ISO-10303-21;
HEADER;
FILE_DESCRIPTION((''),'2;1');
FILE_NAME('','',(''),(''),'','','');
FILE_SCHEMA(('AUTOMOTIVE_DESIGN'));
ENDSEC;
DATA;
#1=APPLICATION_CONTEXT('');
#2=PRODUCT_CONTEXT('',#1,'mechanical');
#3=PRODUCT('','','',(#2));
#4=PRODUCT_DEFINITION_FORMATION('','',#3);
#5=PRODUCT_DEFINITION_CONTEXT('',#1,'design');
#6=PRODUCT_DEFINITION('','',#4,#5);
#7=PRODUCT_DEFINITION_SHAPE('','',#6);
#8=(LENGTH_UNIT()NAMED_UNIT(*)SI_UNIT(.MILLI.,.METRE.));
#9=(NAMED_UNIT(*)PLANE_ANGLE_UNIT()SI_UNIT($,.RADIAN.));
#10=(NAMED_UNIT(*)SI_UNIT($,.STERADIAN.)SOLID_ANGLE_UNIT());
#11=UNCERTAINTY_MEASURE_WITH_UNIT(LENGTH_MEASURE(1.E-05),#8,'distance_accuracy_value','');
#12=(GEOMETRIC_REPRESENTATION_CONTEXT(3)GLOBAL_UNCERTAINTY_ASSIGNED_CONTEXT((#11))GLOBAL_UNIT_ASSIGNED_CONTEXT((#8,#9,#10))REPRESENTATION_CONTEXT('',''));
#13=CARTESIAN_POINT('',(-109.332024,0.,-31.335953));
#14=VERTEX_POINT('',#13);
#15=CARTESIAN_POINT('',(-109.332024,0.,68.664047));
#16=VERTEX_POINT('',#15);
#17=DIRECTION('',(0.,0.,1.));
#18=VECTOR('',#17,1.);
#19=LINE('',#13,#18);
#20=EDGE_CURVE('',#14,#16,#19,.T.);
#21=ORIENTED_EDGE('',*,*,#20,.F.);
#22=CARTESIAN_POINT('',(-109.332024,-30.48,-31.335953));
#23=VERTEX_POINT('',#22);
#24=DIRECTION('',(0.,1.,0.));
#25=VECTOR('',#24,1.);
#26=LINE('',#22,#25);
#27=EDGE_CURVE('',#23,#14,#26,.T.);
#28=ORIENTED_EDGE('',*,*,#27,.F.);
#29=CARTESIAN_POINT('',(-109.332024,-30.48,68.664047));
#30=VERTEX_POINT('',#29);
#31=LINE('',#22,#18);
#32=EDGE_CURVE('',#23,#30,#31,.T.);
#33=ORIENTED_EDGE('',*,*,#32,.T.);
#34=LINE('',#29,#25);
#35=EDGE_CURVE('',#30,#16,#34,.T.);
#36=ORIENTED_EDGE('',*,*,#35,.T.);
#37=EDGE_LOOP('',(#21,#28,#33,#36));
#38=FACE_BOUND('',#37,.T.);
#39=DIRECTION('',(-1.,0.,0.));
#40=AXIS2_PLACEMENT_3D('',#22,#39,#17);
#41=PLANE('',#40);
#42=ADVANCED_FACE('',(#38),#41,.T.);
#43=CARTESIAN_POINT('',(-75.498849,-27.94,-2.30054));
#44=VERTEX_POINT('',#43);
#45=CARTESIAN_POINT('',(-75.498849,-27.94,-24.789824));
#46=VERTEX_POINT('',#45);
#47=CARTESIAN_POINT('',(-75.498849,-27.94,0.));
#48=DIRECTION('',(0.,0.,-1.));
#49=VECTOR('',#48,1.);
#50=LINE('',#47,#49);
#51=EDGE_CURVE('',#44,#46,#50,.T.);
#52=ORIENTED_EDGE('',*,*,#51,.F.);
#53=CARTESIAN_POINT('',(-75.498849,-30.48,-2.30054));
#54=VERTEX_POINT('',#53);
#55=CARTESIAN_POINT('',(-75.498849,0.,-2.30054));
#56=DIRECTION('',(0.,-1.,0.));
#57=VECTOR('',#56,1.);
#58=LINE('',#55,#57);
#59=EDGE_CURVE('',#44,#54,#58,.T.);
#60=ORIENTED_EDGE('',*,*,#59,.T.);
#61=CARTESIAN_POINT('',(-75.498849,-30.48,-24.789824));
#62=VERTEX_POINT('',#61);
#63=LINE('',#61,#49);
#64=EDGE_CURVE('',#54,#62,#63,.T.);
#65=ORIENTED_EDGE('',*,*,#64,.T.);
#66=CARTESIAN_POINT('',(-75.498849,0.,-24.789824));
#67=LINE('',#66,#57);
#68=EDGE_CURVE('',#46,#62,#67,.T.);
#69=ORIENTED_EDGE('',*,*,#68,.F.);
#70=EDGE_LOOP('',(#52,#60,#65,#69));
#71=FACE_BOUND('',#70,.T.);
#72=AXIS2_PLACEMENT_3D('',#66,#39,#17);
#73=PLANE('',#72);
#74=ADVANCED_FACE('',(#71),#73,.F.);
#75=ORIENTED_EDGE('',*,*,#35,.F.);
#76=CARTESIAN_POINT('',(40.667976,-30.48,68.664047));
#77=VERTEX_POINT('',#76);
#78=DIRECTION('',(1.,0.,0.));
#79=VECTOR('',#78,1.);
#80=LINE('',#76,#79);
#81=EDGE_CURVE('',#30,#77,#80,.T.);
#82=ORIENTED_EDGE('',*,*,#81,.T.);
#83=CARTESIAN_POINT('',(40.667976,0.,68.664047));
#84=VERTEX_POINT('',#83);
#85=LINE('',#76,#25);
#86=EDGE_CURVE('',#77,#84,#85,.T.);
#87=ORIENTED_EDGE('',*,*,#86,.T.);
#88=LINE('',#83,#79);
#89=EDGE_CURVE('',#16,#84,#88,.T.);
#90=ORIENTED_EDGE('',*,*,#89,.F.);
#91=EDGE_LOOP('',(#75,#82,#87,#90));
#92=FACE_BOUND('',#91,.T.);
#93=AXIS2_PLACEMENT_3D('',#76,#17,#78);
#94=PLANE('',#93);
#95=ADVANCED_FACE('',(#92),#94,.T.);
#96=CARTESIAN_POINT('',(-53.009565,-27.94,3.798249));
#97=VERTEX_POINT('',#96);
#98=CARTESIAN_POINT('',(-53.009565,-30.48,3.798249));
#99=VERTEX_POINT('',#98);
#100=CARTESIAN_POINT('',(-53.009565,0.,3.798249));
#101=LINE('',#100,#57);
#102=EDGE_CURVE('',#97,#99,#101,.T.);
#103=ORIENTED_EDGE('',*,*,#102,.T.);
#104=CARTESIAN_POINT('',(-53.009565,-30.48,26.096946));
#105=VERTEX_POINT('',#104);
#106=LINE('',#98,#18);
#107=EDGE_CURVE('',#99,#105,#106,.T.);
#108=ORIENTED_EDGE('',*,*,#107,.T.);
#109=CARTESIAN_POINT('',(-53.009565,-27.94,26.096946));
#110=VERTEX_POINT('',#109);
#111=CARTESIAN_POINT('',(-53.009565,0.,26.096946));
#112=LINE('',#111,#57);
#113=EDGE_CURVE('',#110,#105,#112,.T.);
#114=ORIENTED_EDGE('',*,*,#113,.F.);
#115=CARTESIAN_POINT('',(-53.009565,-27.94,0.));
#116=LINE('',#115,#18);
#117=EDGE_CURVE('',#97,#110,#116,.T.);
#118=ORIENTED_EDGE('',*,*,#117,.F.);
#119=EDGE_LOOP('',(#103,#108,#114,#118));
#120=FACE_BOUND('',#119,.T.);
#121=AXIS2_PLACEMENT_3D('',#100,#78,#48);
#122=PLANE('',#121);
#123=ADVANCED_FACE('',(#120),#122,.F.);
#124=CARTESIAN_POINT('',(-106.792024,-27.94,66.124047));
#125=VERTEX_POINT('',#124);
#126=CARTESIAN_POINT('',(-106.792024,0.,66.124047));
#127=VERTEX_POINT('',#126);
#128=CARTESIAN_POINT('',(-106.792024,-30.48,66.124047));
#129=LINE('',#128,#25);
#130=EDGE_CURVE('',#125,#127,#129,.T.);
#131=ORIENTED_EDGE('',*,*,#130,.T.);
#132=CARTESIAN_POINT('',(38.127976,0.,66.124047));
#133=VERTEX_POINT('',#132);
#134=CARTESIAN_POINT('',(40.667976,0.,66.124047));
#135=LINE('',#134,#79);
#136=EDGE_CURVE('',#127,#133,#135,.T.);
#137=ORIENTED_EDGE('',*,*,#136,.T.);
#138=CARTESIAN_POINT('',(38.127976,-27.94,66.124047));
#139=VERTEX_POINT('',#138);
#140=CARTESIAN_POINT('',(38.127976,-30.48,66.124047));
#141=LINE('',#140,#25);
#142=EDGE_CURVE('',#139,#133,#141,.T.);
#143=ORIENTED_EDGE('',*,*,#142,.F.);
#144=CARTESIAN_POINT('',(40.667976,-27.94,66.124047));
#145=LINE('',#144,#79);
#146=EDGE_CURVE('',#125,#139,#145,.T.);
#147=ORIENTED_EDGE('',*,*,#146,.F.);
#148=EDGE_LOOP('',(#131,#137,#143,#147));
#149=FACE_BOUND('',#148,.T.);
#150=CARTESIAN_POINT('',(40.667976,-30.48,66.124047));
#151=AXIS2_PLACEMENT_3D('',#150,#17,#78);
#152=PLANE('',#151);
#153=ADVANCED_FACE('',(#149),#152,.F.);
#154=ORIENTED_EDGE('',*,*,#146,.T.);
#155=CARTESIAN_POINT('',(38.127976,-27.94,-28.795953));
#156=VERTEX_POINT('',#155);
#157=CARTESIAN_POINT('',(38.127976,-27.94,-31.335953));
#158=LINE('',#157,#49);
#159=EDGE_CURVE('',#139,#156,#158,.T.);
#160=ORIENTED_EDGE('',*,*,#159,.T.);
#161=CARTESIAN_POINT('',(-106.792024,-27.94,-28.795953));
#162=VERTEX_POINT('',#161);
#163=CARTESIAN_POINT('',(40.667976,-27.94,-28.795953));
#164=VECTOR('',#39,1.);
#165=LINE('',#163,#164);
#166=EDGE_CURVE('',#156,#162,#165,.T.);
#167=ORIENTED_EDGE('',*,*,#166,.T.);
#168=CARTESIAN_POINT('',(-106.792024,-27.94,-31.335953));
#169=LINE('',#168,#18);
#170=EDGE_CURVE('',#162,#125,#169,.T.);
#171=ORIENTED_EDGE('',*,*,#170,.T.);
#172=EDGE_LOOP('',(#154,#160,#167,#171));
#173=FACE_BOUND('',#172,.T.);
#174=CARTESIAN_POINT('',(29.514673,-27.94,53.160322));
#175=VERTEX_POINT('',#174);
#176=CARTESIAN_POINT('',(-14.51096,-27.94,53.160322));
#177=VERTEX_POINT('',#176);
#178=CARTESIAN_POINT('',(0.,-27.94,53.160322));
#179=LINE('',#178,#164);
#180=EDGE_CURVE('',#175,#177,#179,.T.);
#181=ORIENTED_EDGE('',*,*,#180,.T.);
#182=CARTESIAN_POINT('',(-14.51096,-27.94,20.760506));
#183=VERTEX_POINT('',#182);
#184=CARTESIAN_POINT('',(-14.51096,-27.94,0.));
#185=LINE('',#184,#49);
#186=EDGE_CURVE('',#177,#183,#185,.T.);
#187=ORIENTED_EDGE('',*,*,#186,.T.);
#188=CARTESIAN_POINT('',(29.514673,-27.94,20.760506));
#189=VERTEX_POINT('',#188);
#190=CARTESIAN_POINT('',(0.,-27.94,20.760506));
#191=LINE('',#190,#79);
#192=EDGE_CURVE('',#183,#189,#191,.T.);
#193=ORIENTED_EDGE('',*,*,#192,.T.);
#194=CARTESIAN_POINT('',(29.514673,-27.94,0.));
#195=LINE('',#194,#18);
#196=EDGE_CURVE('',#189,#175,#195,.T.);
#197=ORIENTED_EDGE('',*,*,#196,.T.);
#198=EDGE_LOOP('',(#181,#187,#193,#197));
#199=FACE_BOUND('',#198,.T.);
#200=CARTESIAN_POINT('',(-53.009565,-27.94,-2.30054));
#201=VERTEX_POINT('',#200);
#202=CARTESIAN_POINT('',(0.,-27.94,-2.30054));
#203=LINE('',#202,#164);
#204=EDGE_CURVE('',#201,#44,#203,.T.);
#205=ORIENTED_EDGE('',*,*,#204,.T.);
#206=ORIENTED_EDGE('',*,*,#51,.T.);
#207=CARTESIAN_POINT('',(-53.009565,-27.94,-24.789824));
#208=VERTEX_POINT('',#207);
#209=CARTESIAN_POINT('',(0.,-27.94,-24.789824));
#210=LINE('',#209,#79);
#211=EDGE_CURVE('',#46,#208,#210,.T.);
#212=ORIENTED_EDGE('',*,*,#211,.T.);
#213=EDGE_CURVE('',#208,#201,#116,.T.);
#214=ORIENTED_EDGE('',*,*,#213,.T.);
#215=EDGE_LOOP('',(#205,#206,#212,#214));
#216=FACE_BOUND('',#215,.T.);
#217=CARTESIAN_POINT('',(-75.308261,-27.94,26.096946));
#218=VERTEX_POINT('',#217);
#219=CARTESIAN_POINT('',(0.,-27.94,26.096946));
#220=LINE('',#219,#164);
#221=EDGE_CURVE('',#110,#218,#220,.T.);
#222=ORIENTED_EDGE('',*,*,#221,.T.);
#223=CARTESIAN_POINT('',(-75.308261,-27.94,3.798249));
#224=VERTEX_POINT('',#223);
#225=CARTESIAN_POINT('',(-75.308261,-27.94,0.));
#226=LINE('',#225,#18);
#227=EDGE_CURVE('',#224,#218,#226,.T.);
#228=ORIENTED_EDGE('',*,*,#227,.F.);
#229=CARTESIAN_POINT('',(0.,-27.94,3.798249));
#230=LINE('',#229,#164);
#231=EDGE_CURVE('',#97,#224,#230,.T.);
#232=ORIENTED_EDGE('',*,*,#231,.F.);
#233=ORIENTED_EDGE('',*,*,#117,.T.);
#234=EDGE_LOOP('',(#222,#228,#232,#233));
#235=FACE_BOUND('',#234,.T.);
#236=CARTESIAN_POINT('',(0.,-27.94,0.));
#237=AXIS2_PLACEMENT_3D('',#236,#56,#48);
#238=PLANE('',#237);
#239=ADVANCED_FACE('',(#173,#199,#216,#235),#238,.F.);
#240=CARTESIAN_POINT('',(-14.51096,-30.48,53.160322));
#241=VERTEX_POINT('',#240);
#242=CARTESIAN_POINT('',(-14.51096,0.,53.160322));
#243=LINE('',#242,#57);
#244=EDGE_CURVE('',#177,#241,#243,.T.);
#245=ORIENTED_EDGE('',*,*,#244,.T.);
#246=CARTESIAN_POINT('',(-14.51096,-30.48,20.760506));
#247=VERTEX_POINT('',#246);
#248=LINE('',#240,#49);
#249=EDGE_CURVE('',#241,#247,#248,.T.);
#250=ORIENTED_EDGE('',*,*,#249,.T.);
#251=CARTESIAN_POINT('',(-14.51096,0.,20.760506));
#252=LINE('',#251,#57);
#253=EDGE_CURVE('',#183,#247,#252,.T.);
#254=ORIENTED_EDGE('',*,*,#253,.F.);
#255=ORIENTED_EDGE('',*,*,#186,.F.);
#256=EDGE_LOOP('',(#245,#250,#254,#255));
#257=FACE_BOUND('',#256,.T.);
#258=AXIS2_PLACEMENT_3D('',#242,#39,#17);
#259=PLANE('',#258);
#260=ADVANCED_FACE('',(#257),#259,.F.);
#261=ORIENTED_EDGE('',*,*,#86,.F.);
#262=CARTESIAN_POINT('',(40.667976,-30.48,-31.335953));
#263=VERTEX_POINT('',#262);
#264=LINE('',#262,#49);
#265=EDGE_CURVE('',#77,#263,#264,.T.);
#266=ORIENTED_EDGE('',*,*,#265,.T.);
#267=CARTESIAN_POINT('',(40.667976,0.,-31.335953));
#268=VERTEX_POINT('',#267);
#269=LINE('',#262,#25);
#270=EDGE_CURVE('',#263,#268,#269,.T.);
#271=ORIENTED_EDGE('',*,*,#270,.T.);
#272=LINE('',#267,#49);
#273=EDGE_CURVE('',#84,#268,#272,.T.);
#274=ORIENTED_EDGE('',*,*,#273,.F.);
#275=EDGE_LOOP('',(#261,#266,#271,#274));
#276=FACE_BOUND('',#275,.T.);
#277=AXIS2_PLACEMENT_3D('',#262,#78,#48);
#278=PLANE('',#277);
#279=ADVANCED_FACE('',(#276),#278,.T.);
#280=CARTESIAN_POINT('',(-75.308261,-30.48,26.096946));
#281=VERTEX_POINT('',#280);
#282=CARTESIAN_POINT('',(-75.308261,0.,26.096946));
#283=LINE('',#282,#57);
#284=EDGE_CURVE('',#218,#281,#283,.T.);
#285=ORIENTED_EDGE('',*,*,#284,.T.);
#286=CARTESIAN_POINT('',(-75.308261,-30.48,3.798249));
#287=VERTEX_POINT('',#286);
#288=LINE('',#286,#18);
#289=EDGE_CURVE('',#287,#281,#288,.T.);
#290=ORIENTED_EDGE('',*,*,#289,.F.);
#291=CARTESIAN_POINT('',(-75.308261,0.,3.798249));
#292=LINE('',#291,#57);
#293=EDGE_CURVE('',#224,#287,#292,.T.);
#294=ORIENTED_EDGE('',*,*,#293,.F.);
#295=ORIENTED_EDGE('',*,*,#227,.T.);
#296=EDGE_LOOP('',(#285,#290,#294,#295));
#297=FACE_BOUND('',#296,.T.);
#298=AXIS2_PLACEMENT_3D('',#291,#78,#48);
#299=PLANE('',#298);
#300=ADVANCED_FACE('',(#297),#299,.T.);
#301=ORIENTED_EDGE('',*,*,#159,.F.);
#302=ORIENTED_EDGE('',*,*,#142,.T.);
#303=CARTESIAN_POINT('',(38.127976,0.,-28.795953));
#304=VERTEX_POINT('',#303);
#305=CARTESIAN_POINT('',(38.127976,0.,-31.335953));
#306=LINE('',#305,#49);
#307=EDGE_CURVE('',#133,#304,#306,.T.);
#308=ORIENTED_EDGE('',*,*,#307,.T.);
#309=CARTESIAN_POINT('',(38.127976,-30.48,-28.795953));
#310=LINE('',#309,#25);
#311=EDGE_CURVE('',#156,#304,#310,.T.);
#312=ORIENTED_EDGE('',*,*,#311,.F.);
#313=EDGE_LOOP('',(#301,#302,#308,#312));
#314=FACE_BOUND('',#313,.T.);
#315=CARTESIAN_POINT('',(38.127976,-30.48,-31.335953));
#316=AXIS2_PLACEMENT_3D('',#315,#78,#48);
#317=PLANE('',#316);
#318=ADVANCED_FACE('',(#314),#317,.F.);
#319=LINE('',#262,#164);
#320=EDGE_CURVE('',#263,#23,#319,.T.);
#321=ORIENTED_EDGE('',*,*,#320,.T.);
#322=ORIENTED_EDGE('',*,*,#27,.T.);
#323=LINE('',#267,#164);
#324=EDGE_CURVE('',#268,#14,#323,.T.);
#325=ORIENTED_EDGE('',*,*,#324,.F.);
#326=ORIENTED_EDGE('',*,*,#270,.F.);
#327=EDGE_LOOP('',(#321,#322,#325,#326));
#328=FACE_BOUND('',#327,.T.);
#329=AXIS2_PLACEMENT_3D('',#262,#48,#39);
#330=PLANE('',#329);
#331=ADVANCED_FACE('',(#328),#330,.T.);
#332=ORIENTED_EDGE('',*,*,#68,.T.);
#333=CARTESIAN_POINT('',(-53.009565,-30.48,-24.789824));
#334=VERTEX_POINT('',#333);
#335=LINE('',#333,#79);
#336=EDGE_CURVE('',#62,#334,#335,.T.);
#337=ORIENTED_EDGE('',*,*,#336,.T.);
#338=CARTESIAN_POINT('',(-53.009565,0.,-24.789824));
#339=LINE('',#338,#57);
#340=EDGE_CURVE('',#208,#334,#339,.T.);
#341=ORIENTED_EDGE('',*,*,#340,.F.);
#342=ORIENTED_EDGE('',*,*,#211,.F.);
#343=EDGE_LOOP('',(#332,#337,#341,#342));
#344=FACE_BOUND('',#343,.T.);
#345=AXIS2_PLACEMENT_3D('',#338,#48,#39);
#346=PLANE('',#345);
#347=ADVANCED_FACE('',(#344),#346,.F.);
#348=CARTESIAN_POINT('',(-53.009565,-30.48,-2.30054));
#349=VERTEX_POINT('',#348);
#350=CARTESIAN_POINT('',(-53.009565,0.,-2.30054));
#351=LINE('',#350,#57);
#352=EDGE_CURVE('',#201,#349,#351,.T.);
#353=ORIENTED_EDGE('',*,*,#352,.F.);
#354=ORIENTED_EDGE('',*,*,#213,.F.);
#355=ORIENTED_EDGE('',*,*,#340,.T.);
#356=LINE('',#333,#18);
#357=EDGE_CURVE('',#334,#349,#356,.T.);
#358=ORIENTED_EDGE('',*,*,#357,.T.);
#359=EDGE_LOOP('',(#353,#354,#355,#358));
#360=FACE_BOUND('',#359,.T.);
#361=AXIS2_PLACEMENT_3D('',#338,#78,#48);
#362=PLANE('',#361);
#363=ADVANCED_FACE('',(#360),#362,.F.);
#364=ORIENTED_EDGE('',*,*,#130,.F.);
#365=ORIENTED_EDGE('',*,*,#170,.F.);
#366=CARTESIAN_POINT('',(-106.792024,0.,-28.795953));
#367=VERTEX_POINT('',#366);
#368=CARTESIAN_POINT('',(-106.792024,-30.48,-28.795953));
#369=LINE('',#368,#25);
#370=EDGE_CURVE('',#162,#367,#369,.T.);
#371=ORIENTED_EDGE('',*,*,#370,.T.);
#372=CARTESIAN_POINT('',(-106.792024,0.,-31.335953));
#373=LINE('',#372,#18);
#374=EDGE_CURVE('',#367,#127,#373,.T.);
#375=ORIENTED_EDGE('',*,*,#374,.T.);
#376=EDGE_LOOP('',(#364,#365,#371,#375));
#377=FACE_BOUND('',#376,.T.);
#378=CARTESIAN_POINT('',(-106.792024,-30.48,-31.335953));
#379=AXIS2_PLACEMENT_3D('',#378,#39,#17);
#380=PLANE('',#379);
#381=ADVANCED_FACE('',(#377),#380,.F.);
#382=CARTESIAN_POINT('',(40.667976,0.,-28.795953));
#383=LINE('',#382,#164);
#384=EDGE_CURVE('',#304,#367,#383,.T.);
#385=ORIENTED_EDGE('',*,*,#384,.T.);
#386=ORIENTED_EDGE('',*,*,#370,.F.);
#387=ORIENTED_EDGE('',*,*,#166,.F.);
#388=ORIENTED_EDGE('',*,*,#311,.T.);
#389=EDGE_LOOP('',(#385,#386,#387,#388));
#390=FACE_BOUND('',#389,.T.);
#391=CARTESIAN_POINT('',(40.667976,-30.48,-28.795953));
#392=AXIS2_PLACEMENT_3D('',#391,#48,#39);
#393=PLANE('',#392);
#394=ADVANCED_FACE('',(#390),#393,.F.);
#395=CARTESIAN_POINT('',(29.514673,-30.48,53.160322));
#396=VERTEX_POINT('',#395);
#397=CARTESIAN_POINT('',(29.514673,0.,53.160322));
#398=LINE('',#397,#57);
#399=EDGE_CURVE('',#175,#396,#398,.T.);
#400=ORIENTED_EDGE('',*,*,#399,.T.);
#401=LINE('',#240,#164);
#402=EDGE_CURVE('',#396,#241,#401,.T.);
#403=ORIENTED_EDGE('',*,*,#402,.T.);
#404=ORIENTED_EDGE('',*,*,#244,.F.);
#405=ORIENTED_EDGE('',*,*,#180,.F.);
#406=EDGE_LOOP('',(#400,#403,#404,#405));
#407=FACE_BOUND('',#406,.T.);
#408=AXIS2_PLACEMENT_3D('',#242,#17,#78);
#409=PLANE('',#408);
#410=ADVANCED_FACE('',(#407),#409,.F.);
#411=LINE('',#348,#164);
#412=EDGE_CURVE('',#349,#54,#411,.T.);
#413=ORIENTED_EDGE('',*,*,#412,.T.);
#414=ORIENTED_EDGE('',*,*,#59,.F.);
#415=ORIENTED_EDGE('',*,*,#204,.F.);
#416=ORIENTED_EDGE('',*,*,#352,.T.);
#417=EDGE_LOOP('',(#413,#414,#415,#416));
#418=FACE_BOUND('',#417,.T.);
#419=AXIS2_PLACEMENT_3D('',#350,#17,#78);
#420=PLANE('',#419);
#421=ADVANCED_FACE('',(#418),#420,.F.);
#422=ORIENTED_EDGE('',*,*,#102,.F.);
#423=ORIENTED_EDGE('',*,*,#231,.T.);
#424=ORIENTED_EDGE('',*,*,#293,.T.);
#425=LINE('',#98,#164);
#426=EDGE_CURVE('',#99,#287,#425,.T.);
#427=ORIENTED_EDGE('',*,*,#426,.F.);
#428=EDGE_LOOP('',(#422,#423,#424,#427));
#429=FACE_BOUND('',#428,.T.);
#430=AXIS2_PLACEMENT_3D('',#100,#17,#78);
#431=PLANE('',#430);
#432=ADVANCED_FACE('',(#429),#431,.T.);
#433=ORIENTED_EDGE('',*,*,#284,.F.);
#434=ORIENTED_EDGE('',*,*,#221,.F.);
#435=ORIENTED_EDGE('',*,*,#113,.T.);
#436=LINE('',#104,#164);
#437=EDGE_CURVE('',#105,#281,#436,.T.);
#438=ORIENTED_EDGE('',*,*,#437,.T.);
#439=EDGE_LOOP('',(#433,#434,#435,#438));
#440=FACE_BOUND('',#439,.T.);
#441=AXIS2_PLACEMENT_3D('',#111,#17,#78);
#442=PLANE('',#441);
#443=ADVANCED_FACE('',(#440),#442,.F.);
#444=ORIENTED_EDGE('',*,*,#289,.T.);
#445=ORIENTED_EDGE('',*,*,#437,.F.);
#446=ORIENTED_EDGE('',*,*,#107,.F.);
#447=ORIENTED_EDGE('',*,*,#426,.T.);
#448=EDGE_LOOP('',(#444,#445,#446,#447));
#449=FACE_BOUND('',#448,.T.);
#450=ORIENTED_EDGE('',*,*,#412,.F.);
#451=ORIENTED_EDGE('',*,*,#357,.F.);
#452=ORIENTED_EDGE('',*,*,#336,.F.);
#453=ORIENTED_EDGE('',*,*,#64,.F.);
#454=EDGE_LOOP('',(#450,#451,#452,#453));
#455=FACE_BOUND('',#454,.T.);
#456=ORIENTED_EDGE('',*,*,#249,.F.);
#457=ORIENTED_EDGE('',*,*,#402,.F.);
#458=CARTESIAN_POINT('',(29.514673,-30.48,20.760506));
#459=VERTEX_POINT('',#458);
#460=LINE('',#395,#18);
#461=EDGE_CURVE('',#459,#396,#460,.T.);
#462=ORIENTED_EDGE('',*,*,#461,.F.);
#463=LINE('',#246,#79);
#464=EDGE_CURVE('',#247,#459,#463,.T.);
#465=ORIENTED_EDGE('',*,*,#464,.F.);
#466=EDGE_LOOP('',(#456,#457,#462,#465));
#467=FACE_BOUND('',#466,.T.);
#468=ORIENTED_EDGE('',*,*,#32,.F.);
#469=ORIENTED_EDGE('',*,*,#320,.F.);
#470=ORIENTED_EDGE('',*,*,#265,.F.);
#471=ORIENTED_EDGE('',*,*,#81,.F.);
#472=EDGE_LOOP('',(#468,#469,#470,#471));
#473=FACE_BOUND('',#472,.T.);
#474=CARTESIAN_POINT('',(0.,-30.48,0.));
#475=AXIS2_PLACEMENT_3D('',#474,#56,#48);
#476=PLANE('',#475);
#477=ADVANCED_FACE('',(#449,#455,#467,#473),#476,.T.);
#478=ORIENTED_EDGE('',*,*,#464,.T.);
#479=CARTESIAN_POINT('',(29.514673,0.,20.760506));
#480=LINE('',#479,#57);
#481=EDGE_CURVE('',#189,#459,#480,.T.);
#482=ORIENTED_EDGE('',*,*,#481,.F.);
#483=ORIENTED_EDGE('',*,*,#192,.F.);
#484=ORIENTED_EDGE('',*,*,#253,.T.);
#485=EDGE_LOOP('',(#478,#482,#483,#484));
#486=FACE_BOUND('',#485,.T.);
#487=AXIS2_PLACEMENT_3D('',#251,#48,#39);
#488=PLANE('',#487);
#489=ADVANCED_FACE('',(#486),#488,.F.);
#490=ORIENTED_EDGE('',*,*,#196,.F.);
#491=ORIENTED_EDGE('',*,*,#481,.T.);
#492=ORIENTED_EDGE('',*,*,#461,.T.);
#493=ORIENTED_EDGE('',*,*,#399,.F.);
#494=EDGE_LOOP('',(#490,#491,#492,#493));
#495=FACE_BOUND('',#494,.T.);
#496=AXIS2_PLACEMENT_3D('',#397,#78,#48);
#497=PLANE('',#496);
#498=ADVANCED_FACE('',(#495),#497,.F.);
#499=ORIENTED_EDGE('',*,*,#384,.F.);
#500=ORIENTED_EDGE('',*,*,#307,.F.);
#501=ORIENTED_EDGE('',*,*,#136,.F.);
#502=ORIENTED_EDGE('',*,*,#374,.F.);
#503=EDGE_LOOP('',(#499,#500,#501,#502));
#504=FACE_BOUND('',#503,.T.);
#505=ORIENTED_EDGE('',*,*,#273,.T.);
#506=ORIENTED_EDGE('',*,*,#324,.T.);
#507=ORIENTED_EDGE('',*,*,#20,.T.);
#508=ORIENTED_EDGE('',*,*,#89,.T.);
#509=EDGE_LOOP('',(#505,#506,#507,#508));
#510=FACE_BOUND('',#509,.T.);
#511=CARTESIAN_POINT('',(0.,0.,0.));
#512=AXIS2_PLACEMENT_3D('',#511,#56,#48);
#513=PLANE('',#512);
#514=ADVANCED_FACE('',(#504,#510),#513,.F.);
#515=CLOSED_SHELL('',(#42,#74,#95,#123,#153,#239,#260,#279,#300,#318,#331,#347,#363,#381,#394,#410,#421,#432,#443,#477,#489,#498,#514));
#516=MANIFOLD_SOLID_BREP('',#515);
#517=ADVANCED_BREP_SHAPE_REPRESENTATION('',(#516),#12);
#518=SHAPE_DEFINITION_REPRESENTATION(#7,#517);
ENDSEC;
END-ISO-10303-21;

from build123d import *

# Parameters (mm, degrees)
SKETCH1_W           = 150
SKETCH1_H           = 100
BOSS_EXTRUDE1_DEPTH = 30.48
SHELL1_T            = -2.54
SKETCH3_W           = 44.02563229
SKETCH3_H           = 32.399815971
CUT_EXTRUDE1_DEPTH  = 30.48
SKETCH4_W           = 22.298696875
SKETCH4_H           = 22.298696874
CUT_EXTRUDE2_DEPTH  = 30.48
SKETCH5_W           = 22.489284027
SKETCH5_H           = 22.489284027
CUT_EXTRUDE3_DEPTH  = 30.48


with BuildPart() as part:
    # Sketch1 → Boss-Extrude1 (new body)
    with BuildSketch(Plane(origin=(0, 0, 0), x_dir=(1, 0, 0), z_dir=(0, 1, 0))):
        with Locations((-34.332023576, -18.664047151)):
            Rectangle(SKETCH1_W, SKETCH1_H)
    extrude(amount=-BOSS_EXTRUDE1_DEPTH)

    # Shell1
    shell1_openings = [part.faces().sort_by_distance(p)[0] for p in [
        (-34.332023576, 0, 18.664047151),
    ]]
    offset(amount=SHELL1_T, openings=shell1_openings, kind=Kind.INTERSECTION)

    # Sketch3 → Cut-Extrude1 (cut)
    with BuildSketch(Plane.XZ.offset(30.48)):
        with Locations((7.501856458, 36.960413817)):
            Rectangle(SKETCH3_W, SKETCH3_H)
    extrude(amount=-CUT_EXTRUDE1_DEPTH, mode=Mode.SUBTRACT)

    # Sketch4 → Cut-Extrude2 (cut)
    with BuildSketch(Plane(origin=(0, -30.48, 0), x_dir=(-1, 0, 0), z_dir=(0, -1, 0))):
        with Locations((64.158912985, -14.947597672)):
            Rectangle(SKETCH4_W, SKETCH4_H)
    extrude(amount=-CUT_EXTRUDE2_DEPTH, mode=Mode.SUBTRACT)

    # Sketch5 → Cut-Extrude3 (cut)
    with BuildSketch(Plane.XZ.offset(30.48)):
        with Locations((-64.254206561, -13.545181668)):
            Rectangle(SKETCH5_W, SKETCH5_H)
    extrude(amount=-CUT_EXTRUDE3_DEPTH, mode=Mode.SUBTRACT)


solid = part.part
